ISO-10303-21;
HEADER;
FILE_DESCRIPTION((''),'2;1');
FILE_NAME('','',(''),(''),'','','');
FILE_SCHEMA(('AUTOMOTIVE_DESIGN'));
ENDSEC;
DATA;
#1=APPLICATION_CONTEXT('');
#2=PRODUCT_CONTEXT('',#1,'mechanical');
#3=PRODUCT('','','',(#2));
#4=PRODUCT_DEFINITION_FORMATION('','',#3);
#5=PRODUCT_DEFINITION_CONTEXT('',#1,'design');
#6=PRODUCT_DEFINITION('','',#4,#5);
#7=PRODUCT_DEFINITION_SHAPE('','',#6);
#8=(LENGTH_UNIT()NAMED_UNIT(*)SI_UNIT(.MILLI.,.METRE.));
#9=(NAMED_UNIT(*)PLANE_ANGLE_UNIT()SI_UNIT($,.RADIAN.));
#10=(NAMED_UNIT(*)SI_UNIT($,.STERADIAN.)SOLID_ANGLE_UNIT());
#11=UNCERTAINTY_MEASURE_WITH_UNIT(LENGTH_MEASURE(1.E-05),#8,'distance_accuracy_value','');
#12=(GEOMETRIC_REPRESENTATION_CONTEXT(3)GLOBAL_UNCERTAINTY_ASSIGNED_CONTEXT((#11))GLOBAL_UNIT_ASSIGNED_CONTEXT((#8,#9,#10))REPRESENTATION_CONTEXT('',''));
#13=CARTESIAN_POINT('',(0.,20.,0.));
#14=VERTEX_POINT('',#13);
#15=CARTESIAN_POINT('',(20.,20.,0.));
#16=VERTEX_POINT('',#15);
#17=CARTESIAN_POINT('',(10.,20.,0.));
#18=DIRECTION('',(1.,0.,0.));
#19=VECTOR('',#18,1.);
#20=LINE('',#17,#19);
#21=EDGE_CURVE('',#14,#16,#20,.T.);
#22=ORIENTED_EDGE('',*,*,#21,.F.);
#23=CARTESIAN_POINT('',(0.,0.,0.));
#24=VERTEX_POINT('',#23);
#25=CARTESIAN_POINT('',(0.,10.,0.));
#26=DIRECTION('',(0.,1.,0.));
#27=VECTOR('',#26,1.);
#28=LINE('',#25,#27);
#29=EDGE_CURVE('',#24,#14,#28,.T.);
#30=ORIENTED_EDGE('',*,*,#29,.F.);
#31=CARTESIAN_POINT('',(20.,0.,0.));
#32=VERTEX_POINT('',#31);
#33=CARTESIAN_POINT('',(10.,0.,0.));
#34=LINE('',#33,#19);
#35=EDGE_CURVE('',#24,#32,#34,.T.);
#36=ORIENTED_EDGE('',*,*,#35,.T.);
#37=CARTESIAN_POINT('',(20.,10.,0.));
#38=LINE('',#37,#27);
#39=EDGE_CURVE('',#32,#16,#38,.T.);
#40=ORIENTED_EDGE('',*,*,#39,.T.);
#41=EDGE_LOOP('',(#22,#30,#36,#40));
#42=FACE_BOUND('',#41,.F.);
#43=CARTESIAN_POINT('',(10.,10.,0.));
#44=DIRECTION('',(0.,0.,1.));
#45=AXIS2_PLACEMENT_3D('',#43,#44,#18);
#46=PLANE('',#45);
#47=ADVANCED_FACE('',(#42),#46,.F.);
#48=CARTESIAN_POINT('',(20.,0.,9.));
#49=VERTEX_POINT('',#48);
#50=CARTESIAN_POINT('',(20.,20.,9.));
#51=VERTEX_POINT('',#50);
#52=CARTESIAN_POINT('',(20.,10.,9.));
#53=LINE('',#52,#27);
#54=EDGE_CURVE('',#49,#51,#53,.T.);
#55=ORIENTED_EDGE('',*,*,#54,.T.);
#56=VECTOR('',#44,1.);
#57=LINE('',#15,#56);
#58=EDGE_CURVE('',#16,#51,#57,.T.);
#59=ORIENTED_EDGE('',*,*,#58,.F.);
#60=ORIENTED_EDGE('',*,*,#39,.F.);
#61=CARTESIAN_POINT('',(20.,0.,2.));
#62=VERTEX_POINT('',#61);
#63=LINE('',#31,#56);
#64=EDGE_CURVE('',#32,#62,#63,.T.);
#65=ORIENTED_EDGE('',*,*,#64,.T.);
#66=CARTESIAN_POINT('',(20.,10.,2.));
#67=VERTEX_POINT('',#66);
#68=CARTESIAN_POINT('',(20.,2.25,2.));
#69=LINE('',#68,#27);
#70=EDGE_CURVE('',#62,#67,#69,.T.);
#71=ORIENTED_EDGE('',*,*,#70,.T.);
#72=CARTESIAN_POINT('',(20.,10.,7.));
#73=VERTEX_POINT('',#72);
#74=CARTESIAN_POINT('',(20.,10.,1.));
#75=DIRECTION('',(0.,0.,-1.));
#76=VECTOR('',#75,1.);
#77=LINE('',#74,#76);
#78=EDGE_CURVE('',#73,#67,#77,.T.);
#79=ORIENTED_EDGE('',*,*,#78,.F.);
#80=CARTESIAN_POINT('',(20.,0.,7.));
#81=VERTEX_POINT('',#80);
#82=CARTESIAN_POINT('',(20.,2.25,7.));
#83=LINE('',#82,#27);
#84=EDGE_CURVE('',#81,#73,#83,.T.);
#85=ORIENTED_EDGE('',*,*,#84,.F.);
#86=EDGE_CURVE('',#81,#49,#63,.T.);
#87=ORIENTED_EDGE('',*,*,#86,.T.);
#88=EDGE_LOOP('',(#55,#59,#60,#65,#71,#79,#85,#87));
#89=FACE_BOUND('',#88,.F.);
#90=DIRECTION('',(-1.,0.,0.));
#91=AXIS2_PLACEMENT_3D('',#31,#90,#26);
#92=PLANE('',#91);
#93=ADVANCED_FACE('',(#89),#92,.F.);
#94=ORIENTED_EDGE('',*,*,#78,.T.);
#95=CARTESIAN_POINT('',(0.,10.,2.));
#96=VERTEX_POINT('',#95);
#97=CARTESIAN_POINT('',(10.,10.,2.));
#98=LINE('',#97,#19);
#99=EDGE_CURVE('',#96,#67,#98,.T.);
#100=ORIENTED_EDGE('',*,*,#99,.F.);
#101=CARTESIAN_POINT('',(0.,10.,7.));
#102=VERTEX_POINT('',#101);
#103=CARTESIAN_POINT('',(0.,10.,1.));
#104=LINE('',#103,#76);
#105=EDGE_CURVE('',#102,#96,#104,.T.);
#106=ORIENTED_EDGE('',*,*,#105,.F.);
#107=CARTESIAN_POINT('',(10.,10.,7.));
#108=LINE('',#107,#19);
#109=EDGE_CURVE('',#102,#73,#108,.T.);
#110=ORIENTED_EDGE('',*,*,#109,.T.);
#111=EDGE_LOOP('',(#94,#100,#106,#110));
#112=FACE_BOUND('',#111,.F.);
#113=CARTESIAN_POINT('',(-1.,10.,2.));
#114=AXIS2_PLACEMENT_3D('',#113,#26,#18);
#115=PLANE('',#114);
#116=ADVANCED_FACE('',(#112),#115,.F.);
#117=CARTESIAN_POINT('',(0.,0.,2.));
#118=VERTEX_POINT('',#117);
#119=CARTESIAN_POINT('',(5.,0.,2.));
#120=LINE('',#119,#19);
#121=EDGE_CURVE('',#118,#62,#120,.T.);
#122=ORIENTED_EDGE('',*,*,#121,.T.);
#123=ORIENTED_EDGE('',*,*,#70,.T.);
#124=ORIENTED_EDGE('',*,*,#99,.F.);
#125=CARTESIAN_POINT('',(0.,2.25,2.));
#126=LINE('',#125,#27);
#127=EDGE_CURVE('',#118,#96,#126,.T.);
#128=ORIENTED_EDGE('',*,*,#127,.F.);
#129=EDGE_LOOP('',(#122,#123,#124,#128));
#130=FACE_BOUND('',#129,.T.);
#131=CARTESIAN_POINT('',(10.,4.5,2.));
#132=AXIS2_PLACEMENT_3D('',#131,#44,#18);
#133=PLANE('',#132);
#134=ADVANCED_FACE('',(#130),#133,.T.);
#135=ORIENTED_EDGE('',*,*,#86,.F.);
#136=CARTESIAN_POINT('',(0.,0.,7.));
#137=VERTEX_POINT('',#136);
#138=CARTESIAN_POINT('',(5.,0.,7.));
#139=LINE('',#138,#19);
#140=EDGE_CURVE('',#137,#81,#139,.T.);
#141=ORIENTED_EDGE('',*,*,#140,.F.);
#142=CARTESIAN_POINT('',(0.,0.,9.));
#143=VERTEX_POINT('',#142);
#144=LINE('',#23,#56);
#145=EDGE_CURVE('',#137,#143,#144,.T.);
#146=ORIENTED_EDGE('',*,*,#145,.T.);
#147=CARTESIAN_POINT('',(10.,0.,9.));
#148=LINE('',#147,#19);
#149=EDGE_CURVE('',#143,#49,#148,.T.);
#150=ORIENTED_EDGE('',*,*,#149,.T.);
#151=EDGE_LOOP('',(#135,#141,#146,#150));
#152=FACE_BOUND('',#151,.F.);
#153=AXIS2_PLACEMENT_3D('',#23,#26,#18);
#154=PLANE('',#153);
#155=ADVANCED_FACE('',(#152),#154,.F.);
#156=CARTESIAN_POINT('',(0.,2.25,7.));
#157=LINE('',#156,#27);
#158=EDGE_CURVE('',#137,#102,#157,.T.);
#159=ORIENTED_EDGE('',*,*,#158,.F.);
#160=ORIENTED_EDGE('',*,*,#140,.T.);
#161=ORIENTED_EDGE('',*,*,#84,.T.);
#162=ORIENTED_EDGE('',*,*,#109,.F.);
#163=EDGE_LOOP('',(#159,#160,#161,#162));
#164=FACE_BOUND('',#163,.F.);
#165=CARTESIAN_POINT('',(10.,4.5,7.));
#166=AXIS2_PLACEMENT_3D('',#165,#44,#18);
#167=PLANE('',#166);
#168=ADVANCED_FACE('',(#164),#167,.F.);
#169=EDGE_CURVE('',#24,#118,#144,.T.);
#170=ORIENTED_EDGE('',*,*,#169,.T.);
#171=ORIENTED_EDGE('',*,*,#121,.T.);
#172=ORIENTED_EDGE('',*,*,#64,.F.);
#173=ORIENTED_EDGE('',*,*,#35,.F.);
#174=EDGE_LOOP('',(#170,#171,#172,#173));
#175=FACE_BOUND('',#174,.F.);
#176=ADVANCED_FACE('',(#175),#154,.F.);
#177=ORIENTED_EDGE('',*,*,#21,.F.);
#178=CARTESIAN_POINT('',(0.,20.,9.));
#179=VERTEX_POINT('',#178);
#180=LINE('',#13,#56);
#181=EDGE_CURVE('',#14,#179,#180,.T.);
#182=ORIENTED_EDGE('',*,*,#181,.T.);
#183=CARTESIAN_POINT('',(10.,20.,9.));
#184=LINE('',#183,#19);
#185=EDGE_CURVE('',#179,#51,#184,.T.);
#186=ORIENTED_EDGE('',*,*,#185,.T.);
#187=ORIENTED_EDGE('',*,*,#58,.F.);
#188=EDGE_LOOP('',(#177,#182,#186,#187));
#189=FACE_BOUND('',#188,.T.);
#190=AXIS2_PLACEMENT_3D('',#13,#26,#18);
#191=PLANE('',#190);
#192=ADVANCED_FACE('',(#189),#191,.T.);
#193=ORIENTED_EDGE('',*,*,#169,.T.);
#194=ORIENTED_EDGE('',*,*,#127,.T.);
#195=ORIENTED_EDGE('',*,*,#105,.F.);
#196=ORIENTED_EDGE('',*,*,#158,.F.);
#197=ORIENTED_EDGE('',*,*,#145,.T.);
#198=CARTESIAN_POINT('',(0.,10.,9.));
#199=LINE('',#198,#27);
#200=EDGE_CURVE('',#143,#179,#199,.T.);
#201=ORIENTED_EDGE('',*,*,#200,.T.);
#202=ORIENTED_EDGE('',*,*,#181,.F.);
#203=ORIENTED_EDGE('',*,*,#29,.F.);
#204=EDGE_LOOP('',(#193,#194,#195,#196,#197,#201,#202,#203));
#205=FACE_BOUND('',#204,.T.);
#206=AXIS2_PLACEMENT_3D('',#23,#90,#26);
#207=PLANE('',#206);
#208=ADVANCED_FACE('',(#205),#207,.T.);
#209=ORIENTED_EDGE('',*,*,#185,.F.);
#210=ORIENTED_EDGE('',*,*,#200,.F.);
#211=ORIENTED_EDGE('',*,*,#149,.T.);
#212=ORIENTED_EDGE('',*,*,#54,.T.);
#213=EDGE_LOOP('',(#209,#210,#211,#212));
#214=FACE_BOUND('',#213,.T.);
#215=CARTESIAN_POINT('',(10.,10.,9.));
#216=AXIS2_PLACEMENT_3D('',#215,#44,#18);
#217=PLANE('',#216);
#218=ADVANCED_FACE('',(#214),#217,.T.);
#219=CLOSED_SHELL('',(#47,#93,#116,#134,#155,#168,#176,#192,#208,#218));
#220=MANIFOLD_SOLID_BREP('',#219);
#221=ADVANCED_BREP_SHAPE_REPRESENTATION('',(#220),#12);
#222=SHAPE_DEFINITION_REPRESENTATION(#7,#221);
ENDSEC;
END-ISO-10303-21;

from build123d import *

# Parameters (mm, degrees)
BOX001_W     = 22
BOX001_H     = 11
BOX001_DEPTH = 5
BOX_W        = 20
BOX_H        = 20
BOX_DEPTH    = 9


with BuildPart() as cube001:
    # Box001 → Box001 (new body)
    with BuildSketch(Plane(origin=(-1, -1, 2), x_dir=(1, 0, 0), z_dir=(0, 0, 1))):
        with Locations((11, 5.5)):
            Rectangle(BOX001_W, BOX001_H)
    extrude(amount=BOX001_DEPTH)


with BuildPart() as cut:
    # Box → Box (new body)
    with BuildSketch(Plane.XY):
        with Locations((10, 10)):
            Rectangle(BOX_W, BOX_H)
    extrude(amount=BOX_DEPTH)

    # Cut: cut Cube001
    add(cube001.part, mode=Mode.SUBTRACT)


solid = cut.part
